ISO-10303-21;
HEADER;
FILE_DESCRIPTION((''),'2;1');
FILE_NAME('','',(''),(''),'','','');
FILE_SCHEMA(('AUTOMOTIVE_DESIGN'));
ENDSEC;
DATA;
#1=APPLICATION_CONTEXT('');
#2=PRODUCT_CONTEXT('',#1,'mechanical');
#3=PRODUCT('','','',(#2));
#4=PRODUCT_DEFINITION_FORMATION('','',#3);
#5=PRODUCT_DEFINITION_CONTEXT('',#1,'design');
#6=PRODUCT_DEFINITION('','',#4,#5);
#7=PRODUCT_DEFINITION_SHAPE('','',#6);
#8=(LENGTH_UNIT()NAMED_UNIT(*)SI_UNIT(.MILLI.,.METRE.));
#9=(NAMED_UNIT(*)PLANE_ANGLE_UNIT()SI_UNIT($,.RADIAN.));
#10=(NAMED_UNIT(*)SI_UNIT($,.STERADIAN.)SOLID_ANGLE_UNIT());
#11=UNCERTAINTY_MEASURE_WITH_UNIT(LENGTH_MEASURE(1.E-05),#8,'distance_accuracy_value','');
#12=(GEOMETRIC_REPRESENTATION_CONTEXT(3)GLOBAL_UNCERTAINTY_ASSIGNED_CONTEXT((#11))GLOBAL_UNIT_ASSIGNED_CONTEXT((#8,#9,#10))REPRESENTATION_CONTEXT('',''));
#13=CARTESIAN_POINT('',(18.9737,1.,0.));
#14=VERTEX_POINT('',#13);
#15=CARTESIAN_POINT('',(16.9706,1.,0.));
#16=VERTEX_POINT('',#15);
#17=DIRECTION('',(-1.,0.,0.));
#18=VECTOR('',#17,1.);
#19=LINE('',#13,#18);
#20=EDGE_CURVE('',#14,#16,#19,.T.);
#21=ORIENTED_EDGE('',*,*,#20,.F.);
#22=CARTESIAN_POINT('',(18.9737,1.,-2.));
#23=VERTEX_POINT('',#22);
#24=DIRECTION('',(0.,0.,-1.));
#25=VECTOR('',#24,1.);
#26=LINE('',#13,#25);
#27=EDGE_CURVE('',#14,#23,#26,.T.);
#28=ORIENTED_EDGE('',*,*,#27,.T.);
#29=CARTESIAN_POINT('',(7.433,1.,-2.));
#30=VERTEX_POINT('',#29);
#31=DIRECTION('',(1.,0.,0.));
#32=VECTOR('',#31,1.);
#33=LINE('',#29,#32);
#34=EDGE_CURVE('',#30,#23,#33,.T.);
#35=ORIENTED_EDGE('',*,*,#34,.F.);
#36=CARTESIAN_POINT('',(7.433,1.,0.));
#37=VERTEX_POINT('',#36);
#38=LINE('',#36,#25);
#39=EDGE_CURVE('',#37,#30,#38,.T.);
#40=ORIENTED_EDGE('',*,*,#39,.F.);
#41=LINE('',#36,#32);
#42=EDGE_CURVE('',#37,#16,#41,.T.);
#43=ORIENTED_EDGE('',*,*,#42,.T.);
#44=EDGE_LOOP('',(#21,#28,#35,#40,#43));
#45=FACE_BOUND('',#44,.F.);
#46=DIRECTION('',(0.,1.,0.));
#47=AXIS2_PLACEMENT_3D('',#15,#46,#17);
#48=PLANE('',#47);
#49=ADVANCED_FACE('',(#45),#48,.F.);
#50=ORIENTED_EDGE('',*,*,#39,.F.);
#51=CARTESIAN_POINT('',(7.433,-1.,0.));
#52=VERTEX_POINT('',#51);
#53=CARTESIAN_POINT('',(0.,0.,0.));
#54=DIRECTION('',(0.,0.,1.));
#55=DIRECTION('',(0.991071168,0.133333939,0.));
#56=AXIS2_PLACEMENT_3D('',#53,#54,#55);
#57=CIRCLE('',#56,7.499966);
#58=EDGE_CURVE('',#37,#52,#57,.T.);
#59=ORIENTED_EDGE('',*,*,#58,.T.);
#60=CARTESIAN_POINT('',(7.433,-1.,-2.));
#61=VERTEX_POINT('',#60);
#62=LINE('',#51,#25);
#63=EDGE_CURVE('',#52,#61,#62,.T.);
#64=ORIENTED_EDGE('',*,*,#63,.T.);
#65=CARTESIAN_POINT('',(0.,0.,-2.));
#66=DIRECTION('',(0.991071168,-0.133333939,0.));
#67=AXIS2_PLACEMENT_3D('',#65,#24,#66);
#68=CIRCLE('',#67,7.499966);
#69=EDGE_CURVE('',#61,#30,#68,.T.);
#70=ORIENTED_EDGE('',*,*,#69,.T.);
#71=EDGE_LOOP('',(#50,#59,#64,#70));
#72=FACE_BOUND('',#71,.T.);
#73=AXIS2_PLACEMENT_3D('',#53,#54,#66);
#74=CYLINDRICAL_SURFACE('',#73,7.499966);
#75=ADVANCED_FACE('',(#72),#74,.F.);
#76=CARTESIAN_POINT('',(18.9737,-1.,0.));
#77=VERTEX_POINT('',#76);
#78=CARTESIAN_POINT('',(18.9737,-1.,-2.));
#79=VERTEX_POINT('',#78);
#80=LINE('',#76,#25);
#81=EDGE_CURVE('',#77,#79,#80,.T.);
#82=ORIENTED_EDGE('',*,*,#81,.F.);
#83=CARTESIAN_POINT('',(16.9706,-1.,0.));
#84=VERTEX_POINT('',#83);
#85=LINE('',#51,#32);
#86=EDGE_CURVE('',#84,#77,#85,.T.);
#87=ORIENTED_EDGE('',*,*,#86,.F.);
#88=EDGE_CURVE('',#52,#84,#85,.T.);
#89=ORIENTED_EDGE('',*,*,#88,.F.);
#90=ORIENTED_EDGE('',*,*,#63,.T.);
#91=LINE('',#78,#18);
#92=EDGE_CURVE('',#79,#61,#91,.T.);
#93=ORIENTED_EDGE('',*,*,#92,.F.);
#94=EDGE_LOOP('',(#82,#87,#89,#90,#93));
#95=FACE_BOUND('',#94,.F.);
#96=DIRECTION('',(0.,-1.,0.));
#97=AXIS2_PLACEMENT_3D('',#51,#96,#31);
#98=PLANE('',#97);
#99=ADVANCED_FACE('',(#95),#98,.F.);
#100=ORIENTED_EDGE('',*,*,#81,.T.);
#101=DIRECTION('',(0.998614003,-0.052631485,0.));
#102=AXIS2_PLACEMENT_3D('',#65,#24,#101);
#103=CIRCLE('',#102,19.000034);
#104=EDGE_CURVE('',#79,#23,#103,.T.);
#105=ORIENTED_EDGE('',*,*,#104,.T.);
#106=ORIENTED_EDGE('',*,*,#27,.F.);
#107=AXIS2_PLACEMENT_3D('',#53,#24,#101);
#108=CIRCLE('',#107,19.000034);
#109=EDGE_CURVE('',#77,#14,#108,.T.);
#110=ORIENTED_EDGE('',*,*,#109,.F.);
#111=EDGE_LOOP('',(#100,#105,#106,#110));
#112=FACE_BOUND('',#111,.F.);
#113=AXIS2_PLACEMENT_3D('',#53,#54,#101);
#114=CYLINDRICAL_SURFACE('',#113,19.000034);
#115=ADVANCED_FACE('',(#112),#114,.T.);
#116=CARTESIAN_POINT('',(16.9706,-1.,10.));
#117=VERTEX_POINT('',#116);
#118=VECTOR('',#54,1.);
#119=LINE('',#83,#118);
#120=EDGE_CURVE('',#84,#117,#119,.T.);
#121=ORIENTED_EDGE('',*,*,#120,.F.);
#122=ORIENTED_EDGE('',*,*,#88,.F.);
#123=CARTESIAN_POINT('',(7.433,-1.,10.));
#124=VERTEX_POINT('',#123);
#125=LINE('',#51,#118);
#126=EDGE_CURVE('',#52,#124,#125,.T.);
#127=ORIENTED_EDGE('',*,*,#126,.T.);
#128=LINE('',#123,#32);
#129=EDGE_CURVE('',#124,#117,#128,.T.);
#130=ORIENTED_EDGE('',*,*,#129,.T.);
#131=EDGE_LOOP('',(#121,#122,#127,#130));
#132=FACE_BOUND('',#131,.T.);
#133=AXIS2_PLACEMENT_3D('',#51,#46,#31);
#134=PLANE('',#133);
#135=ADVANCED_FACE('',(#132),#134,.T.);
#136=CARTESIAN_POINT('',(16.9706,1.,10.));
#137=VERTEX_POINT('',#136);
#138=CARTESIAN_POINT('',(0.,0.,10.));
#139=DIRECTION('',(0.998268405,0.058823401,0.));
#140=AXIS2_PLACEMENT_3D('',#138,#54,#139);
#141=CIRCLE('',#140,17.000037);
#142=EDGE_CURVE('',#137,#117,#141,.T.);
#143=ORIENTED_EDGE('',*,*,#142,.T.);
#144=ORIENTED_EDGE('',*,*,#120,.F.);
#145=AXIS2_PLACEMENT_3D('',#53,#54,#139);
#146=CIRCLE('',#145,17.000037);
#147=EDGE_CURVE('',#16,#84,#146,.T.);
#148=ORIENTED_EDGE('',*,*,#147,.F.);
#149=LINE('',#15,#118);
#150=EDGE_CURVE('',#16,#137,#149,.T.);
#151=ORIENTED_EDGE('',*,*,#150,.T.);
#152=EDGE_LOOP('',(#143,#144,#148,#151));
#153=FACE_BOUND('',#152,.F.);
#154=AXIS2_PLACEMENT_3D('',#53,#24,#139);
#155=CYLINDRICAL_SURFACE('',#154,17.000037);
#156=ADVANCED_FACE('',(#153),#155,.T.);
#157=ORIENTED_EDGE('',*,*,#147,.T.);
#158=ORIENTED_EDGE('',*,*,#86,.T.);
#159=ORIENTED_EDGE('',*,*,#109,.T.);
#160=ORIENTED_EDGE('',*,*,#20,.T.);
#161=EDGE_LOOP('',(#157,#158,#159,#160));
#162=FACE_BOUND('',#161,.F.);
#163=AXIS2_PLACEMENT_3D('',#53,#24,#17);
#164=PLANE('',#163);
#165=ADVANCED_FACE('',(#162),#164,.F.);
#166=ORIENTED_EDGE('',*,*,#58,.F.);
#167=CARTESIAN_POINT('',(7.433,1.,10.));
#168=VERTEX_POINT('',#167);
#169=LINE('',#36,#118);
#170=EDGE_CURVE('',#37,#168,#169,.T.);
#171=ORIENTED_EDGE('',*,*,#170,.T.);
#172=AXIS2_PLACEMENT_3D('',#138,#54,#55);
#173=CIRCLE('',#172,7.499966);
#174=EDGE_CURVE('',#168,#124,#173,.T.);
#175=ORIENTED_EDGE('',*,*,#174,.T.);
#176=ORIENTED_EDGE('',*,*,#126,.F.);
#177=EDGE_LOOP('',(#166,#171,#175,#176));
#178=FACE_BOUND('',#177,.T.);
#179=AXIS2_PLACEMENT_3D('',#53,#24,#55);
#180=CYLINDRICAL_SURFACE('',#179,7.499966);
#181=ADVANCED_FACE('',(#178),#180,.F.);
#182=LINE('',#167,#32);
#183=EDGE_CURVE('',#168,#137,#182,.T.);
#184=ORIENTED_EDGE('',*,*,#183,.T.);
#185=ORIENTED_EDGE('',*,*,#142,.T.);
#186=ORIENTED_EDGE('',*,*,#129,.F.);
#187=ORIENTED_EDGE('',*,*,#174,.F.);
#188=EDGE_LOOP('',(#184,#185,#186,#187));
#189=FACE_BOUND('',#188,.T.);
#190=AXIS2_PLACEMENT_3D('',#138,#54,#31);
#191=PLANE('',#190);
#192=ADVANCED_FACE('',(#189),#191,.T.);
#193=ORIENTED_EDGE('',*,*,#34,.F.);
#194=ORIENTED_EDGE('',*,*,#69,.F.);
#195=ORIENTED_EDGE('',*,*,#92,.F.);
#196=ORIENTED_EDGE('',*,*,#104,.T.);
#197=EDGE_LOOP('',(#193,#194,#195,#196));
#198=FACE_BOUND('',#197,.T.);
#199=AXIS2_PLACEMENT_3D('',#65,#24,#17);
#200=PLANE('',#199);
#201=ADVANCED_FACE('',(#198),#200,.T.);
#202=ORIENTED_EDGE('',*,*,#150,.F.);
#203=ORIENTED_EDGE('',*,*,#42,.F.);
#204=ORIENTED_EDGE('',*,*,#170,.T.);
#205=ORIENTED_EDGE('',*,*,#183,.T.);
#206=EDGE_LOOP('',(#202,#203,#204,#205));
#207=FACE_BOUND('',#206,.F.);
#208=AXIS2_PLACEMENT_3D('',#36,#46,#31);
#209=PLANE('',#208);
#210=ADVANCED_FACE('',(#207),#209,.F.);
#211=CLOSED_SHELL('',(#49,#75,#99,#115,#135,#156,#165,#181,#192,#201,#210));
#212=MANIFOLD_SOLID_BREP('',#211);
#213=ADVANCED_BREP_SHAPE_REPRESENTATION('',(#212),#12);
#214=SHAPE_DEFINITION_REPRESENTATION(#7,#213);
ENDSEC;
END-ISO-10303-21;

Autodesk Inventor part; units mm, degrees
ref_plane "YZ Plane" through (0, 0, 0) normal (1, 0, 0) x (0, 1, 0)
ref_plane "XZ Plane" through (0, 0, 0) normal (0, 1, 0) x (-1, 0, 0)
ref_plane "XY Plane" through (0, 0, 0) normal (0, 0, 1) x (1, 0, 0)
sketch "Skizze1" plane through (0, 0, 0) normal (0, 0, 1) x (1, 0, 0)
  arc A0 (7.433, 1) -> (7.433, -1) centre (0, 0) ccw
  arc A1 (16.9706, 1) -> (16.9706, -1) centre (0, 0) ccw
  line L0 (0, 0) -> (15.5172, 0) construction
  line L1 (7.433, -1) -> (16.9706, -1)
  line L2 (7.433, 1) -> (16.9706, 1)
  circle A2 centre (0, 0) radius 7.5 construction
  circle A3 centre (0, 0) radius 17 construction
  dimension "d0" = 15
  dimension "d1" = 34
  dimension "d2" = 2
extrude "Extrusion1" add sketch "Skizze1" along normal blind 10
sketch "Skizze2" plane through (0, 0, 0) normal (0, 0, -1) x (-1, 0, 0)
  arc A0 (-7.433, -1) -> (-7.433, 1) centre (0, 0) ccw projected
  line L0 (-7.433, -1) -> (-16.9706, -1) projected
  arc A1 (-16.9706, -1) -> (-16.9706, 1) centre (0, 0) ccw projected
  line L1 (-16.9706, 1) -> (-7.433, 1) projected
  arc A2 (-18.9737, -1) -> (-18.9737, 1) centre (0, 0) ccw
  line L2 (-16.9706, -1) -> (-18.9737, -1)
  line L3 (-16.9706, 1) -> (-18.9737, 1)
  dimension "d5" = 2
extrude "Extrusion2" add sketch "Skizze2" along normal blind 2
properties part number "edingClamp" material "ABS-Kunststoff"
